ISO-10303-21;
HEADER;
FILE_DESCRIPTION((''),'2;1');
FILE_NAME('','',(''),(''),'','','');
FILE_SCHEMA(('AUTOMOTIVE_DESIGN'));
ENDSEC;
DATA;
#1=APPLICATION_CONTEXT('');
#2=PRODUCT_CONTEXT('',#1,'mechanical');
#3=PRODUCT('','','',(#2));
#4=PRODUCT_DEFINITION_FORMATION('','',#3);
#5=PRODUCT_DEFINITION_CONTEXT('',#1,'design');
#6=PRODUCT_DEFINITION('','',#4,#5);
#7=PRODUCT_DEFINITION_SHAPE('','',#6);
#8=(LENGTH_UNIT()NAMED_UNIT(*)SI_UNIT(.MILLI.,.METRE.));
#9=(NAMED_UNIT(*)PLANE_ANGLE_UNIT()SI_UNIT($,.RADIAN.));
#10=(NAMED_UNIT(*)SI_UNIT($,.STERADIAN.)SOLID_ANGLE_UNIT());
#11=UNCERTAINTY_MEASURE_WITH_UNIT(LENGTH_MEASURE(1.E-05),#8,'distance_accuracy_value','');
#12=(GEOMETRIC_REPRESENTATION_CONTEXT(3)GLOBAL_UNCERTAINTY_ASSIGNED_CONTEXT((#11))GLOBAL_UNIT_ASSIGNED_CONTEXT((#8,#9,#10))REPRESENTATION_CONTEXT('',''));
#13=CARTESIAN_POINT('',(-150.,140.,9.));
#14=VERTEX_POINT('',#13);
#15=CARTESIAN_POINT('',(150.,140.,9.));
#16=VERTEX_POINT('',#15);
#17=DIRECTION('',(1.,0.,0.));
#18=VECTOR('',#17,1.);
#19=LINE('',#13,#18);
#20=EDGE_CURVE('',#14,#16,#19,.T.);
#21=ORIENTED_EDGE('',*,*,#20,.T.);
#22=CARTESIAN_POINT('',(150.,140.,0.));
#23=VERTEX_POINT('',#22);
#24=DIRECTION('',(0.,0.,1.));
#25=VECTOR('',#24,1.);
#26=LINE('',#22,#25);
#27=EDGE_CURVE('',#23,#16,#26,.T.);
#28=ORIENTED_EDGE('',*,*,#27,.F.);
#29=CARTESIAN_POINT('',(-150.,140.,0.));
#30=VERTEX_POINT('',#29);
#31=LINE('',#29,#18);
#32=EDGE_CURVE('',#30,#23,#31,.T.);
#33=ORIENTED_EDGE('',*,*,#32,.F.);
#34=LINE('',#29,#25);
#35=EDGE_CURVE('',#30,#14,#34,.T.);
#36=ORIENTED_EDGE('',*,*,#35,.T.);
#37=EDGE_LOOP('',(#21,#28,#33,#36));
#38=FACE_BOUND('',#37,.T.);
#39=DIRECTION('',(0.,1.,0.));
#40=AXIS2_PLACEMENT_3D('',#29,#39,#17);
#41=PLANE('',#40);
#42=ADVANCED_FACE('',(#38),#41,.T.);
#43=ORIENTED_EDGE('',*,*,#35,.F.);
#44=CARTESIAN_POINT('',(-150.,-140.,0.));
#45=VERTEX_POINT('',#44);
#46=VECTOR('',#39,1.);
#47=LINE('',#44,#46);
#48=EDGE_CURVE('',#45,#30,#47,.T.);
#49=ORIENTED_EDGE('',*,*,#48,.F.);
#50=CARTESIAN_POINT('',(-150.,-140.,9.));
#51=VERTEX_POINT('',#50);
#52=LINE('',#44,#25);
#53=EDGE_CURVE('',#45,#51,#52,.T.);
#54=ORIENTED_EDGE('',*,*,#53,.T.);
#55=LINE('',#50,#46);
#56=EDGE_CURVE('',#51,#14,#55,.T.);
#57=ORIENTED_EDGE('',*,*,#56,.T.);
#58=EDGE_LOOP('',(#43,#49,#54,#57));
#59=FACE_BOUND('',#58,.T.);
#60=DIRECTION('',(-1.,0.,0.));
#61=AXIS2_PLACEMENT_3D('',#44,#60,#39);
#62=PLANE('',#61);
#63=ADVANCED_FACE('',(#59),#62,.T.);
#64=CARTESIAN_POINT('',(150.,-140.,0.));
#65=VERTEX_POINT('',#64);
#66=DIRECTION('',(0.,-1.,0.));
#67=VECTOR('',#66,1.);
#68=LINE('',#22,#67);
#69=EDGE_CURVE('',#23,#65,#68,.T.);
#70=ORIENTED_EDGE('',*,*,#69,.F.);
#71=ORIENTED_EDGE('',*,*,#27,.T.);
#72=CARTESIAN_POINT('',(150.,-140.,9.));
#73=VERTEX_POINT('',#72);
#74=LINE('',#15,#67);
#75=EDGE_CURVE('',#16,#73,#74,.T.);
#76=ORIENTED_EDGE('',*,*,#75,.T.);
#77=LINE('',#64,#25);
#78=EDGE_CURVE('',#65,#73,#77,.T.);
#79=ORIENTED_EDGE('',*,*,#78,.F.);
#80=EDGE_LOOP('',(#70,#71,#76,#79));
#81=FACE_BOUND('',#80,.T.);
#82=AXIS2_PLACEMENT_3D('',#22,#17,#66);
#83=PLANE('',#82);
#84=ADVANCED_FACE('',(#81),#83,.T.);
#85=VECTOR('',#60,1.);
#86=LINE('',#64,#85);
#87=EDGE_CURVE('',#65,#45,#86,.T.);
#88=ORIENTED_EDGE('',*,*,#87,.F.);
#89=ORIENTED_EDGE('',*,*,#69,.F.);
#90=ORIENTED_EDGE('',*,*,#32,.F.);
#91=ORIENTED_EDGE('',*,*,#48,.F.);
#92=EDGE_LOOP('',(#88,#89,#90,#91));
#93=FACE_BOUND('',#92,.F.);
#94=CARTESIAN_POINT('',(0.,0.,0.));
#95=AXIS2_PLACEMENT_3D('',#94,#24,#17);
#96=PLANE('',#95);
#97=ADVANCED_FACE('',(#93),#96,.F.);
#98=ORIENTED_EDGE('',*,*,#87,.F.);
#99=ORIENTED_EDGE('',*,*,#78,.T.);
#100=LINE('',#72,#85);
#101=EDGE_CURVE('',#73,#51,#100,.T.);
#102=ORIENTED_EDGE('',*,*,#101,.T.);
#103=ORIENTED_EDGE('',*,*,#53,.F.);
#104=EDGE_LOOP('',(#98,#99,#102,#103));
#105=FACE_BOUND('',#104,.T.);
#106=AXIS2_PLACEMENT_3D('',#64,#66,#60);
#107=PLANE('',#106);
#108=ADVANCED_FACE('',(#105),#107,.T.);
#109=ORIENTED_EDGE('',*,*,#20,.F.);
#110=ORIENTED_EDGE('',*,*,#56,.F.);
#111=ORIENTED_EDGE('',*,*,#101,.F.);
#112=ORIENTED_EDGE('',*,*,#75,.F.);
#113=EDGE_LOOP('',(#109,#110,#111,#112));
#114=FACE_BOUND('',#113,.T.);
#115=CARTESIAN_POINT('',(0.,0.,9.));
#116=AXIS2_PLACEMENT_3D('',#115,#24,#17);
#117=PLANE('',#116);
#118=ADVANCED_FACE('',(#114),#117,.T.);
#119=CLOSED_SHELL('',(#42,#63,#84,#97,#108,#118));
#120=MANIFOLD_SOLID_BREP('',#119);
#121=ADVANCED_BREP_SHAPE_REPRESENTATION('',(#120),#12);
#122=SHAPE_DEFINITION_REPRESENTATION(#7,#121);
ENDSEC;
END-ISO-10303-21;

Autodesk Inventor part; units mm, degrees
ref_plane "YZ Plane" through (0, 0, 0) normal (1, 0, 0) x (0, 1, 0)
ref_plane "XZ Plane" through (0, 0, 0) normal (0, 1, 0) x (-1, 0, 0)
ref_plane "XY Plane" through (0, 0, 0) normal (0, 0, 1) x (1, 0, 0)
sketch "Sketch1" plane through (0, 0, 0) normal (0, 0, 1) x (1, 0, 0)
  line L0 (150, -140) -> (-150, -140)
  line L1 (-150, -140) -> (-150, 140)
  line L2 (-150, 140) -> (150, 140)
  line L3 (150, 140) -> (150, -140)
  line L4 (150, -140) -> (-150, 140) construction
  line L5 (-150, -140) -> (150, 140) construction
  point P0 (0, 0)
  dimension "d0" = 280
  dimension "d1" = 300
extrude "Extrusion1" add sketch "Sketch1" along normal blind 9
properties part number "GBX_005.1-fence-plate"
